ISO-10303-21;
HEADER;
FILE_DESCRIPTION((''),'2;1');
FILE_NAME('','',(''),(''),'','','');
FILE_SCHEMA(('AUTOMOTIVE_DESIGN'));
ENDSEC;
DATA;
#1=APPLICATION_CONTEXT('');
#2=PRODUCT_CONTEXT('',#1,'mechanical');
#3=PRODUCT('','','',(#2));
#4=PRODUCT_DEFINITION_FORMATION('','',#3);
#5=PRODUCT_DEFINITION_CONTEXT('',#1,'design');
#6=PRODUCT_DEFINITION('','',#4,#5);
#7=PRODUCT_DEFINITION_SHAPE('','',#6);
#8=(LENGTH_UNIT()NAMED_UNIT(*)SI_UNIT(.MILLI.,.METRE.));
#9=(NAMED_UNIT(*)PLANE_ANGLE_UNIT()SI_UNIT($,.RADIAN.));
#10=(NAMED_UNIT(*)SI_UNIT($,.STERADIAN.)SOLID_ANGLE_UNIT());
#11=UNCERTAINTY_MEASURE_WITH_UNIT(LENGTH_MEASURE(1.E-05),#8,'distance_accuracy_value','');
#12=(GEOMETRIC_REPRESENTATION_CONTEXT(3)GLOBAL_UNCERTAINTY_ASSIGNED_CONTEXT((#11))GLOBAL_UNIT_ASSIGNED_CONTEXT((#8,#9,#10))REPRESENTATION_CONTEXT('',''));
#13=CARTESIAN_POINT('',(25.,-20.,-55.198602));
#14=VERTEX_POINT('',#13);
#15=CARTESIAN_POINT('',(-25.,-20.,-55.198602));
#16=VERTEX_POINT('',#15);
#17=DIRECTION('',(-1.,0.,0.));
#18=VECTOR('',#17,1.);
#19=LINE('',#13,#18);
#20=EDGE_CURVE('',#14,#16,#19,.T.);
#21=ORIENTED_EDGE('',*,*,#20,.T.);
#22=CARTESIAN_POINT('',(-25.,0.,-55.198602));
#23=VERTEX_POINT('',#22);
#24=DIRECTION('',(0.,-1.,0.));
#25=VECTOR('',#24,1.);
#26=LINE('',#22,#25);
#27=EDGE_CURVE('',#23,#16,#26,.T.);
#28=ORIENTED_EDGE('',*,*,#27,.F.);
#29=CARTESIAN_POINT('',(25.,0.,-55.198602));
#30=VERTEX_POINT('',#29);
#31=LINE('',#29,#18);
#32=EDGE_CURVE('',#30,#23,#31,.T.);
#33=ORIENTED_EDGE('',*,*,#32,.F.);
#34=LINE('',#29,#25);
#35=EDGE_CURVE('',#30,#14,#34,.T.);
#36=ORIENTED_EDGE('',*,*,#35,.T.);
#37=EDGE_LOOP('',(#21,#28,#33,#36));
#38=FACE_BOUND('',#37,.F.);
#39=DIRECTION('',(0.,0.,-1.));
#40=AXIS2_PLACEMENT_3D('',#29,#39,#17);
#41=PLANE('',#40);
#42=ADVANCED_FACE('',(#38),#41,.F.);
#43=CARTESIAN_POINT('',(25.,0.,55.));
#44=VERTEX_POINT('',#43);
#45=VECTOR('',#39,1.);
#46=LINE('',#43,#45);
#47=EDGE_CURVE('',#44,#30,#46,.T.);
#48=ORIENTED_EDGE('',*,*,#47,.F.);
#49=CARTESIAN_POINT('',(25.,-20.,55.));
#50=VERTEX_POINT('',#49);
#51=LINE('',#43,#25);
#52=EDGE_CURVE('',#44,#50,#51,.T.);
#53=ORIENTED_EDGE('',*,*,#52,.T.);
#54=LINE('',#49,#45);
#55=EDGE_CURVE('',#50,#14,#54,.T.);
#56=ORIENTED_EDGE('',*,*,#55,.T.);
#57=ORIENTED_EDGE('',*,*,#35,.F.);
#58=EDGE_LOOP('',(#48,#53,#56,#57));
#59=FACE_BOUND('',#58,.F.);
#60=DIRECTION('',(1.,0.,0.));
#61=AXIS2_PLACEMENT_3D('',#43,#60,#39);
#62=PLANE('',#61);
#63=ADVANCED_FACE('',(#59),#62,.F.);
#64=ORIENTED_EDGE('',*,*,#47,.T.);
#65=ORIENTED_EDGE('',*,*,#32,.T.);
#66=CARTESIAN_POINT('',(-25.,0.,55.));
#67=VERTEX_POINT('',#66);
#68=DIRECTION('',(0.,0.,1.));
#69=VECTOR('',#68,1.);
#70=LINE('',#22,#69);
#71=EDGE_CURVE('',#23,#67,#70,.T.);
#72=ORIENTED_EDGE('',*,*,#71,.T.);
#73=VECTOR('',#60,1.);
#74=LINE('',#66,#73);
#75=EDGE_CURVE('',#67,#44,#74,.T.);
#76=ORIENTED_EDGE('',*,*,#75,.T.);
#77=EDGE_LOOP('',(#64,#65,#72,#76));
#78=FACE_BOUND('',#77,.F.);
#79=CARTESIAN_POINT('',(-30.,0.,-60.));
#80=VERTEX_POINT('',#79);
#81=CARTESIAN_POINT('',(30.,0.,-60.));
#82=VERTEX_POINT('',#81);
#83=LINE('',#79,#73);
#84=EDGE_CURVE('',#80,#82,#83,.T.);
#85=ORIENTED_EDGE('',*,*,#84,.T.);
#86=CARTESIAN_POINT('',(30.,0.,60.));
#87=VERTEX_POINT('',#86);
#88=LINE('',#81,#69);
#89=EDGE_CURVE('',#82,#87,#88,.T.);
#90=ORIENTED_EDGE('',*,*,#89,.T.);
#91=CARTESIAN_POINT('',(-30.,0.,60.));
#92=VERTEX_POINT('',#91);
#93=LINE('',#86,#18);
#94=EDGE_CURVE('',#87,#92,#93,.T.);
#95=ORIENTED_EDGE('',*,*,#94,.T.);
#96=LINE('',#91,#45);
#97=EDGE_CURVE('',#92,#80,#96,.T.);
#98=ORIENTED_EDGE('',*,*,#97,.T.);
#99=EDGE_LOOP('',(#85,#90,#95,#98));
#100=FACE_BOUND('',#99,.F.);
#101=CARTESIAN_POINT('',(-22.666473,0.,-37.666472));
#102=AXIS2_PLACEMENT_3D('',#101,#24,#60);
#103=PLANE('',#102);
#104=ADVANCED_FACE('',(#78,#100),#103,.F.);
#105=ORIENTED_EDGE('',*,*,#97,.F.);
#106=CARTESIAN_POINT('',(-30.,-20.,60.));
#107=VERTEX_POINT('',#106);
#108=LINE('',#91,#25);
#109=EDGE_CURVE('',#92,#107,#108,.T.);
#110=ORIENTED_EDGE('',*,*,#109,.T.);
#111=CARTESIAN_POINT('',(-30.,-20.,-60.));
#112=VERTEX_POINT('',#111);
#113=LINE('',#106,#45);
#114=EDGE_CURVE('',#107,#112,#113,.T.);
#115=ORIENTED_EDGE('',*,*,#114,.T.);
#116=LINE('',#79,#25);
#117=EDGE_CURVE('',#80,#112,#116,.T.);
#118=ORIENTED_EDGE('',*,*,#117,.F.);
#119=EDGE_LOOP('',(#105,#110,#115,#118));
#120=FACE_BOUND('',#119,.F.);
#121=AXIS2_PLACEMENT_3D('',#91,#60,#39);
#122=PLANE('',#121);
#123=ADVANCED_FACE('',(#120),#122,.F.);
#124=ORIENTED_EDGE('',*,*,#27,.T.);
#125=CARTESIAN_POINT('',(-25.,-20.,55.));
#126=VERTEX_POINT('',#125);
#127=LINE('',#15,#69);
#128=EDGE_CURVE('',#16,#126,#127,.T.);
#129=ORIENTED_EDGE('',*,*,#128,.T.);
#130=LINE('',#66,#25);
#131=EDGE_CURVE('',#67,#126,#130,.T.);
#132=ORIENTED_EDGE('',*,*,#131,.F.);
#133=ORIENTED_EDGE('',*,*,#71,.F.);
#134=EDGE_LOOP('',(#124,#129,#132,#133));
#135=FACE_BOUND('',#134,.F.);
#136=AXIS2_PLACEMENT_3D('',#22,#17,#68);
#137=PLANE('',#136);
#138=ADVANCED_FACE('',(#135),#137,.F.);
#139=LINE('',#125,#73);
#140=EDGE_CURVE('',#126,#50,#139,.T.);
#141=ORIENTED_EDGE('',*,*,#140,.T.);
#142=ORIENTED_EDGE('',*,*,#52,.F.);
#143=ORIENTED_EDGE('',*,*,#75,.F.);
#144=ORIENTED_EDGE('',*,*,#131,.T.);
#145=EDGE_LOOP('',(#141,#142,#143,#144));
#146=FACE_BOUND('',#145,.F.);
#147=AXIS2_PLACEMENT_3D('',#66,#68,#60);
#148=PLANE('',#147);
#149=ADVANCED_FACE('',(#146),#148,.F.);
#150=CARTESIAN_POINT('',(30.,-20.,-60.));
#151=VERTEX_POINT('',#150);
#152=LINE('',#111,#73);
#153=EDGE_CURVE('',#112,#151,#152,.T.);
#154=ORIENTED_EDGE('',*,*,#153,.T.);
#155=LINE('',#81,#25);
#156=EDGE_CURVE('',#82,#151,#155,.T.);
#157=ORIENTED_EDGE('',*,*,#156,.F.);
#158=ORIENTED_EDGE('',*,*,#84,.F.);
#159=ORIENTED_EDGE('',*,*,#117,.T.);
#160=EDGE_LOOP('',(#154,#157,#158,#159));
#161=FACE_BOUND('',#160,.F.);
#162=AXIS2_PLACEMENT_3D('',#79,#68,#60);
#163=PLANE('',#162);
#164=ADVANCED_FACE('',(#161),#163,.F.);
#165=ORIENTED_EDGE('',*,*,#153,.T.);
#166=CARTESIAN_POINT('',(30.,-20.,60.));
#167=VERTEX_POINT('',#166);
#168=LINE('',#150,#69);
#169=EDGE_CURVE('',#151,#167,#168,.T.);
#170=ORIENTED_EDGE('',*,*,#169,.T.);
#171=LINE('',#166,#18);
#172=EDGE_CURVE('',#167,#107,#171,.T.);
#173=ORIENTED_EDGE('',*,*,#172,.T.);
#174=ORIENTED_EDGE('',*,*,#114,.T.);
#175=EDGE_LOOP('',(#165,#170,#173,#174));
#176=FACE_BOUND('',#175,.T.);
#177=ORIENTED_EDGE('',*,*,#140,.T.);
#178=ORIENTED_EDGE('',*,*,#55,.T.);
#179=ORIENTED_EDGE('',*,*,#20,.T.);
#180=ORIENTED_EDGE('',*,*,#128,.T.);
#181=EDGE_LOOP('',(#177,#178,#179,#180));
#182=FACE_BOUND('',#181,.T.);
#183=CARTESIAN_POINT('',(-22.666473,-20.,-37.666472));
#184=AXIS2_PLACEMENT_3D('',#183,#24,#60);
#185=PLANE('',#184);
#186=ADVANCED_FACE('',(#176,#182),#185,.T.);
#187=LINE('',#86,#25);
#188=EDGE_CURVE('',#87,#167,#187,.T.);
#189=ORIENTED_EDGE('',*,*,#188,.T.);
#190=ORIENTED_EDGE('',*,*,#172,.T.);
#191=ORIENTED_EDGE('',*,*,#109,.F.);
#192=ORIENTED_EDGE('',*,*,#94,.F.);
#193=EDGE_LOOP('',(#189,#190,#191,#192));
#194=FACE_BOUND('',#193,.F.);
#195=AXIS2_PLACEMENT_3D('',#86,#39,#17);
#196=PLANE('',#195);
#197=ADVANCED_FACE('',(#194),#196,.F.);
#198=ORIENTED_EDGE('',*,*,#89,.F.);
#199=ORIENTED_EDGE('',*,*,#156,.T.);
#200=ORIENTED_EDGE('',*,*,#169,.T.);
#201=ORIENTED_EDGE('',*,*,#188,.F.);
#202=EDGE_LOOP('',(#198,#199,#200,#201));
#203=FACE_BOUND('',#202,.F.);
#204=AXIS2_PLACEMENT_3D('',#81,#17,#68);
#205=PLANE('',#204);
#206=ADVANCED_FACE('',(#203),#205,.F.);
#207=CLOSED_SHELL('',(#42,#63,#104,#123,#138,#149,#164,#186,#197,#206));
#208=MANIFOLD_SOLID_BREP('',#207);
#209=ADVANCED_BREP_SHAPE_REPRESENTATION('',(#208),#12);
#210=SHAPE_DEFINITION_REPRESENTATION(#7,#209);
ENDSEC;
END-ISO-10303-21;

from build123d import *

# Parameters (mm, degrees)
F2_DEPTH = 20


with BuildPart() as f2:
    # F0 (on Front) → F2 (new body)
    with BuildSketch(Plane.XZ):
        Polygon((-25, 0), (-30, 0), (-30, -60), (0, -60), (0, -55.198602), (-25, -55.198602), align=None)
        Polygon((0, 55), (0, 60), (-30, 60), (-30, 0), (-25, 0), (-25, 55), align=None)
        Polygon((30, 60), (0, 60), (0, 55), (25, 55), (25, 0), (30, 0), align=None)
        Polygon((30, -60), (30, 0), (25, 0), (25, -55.198602), (0, -55.198602), (0, -60), align=None)
    extrude(amount=F2_DEPTH)


solid = f2.part
